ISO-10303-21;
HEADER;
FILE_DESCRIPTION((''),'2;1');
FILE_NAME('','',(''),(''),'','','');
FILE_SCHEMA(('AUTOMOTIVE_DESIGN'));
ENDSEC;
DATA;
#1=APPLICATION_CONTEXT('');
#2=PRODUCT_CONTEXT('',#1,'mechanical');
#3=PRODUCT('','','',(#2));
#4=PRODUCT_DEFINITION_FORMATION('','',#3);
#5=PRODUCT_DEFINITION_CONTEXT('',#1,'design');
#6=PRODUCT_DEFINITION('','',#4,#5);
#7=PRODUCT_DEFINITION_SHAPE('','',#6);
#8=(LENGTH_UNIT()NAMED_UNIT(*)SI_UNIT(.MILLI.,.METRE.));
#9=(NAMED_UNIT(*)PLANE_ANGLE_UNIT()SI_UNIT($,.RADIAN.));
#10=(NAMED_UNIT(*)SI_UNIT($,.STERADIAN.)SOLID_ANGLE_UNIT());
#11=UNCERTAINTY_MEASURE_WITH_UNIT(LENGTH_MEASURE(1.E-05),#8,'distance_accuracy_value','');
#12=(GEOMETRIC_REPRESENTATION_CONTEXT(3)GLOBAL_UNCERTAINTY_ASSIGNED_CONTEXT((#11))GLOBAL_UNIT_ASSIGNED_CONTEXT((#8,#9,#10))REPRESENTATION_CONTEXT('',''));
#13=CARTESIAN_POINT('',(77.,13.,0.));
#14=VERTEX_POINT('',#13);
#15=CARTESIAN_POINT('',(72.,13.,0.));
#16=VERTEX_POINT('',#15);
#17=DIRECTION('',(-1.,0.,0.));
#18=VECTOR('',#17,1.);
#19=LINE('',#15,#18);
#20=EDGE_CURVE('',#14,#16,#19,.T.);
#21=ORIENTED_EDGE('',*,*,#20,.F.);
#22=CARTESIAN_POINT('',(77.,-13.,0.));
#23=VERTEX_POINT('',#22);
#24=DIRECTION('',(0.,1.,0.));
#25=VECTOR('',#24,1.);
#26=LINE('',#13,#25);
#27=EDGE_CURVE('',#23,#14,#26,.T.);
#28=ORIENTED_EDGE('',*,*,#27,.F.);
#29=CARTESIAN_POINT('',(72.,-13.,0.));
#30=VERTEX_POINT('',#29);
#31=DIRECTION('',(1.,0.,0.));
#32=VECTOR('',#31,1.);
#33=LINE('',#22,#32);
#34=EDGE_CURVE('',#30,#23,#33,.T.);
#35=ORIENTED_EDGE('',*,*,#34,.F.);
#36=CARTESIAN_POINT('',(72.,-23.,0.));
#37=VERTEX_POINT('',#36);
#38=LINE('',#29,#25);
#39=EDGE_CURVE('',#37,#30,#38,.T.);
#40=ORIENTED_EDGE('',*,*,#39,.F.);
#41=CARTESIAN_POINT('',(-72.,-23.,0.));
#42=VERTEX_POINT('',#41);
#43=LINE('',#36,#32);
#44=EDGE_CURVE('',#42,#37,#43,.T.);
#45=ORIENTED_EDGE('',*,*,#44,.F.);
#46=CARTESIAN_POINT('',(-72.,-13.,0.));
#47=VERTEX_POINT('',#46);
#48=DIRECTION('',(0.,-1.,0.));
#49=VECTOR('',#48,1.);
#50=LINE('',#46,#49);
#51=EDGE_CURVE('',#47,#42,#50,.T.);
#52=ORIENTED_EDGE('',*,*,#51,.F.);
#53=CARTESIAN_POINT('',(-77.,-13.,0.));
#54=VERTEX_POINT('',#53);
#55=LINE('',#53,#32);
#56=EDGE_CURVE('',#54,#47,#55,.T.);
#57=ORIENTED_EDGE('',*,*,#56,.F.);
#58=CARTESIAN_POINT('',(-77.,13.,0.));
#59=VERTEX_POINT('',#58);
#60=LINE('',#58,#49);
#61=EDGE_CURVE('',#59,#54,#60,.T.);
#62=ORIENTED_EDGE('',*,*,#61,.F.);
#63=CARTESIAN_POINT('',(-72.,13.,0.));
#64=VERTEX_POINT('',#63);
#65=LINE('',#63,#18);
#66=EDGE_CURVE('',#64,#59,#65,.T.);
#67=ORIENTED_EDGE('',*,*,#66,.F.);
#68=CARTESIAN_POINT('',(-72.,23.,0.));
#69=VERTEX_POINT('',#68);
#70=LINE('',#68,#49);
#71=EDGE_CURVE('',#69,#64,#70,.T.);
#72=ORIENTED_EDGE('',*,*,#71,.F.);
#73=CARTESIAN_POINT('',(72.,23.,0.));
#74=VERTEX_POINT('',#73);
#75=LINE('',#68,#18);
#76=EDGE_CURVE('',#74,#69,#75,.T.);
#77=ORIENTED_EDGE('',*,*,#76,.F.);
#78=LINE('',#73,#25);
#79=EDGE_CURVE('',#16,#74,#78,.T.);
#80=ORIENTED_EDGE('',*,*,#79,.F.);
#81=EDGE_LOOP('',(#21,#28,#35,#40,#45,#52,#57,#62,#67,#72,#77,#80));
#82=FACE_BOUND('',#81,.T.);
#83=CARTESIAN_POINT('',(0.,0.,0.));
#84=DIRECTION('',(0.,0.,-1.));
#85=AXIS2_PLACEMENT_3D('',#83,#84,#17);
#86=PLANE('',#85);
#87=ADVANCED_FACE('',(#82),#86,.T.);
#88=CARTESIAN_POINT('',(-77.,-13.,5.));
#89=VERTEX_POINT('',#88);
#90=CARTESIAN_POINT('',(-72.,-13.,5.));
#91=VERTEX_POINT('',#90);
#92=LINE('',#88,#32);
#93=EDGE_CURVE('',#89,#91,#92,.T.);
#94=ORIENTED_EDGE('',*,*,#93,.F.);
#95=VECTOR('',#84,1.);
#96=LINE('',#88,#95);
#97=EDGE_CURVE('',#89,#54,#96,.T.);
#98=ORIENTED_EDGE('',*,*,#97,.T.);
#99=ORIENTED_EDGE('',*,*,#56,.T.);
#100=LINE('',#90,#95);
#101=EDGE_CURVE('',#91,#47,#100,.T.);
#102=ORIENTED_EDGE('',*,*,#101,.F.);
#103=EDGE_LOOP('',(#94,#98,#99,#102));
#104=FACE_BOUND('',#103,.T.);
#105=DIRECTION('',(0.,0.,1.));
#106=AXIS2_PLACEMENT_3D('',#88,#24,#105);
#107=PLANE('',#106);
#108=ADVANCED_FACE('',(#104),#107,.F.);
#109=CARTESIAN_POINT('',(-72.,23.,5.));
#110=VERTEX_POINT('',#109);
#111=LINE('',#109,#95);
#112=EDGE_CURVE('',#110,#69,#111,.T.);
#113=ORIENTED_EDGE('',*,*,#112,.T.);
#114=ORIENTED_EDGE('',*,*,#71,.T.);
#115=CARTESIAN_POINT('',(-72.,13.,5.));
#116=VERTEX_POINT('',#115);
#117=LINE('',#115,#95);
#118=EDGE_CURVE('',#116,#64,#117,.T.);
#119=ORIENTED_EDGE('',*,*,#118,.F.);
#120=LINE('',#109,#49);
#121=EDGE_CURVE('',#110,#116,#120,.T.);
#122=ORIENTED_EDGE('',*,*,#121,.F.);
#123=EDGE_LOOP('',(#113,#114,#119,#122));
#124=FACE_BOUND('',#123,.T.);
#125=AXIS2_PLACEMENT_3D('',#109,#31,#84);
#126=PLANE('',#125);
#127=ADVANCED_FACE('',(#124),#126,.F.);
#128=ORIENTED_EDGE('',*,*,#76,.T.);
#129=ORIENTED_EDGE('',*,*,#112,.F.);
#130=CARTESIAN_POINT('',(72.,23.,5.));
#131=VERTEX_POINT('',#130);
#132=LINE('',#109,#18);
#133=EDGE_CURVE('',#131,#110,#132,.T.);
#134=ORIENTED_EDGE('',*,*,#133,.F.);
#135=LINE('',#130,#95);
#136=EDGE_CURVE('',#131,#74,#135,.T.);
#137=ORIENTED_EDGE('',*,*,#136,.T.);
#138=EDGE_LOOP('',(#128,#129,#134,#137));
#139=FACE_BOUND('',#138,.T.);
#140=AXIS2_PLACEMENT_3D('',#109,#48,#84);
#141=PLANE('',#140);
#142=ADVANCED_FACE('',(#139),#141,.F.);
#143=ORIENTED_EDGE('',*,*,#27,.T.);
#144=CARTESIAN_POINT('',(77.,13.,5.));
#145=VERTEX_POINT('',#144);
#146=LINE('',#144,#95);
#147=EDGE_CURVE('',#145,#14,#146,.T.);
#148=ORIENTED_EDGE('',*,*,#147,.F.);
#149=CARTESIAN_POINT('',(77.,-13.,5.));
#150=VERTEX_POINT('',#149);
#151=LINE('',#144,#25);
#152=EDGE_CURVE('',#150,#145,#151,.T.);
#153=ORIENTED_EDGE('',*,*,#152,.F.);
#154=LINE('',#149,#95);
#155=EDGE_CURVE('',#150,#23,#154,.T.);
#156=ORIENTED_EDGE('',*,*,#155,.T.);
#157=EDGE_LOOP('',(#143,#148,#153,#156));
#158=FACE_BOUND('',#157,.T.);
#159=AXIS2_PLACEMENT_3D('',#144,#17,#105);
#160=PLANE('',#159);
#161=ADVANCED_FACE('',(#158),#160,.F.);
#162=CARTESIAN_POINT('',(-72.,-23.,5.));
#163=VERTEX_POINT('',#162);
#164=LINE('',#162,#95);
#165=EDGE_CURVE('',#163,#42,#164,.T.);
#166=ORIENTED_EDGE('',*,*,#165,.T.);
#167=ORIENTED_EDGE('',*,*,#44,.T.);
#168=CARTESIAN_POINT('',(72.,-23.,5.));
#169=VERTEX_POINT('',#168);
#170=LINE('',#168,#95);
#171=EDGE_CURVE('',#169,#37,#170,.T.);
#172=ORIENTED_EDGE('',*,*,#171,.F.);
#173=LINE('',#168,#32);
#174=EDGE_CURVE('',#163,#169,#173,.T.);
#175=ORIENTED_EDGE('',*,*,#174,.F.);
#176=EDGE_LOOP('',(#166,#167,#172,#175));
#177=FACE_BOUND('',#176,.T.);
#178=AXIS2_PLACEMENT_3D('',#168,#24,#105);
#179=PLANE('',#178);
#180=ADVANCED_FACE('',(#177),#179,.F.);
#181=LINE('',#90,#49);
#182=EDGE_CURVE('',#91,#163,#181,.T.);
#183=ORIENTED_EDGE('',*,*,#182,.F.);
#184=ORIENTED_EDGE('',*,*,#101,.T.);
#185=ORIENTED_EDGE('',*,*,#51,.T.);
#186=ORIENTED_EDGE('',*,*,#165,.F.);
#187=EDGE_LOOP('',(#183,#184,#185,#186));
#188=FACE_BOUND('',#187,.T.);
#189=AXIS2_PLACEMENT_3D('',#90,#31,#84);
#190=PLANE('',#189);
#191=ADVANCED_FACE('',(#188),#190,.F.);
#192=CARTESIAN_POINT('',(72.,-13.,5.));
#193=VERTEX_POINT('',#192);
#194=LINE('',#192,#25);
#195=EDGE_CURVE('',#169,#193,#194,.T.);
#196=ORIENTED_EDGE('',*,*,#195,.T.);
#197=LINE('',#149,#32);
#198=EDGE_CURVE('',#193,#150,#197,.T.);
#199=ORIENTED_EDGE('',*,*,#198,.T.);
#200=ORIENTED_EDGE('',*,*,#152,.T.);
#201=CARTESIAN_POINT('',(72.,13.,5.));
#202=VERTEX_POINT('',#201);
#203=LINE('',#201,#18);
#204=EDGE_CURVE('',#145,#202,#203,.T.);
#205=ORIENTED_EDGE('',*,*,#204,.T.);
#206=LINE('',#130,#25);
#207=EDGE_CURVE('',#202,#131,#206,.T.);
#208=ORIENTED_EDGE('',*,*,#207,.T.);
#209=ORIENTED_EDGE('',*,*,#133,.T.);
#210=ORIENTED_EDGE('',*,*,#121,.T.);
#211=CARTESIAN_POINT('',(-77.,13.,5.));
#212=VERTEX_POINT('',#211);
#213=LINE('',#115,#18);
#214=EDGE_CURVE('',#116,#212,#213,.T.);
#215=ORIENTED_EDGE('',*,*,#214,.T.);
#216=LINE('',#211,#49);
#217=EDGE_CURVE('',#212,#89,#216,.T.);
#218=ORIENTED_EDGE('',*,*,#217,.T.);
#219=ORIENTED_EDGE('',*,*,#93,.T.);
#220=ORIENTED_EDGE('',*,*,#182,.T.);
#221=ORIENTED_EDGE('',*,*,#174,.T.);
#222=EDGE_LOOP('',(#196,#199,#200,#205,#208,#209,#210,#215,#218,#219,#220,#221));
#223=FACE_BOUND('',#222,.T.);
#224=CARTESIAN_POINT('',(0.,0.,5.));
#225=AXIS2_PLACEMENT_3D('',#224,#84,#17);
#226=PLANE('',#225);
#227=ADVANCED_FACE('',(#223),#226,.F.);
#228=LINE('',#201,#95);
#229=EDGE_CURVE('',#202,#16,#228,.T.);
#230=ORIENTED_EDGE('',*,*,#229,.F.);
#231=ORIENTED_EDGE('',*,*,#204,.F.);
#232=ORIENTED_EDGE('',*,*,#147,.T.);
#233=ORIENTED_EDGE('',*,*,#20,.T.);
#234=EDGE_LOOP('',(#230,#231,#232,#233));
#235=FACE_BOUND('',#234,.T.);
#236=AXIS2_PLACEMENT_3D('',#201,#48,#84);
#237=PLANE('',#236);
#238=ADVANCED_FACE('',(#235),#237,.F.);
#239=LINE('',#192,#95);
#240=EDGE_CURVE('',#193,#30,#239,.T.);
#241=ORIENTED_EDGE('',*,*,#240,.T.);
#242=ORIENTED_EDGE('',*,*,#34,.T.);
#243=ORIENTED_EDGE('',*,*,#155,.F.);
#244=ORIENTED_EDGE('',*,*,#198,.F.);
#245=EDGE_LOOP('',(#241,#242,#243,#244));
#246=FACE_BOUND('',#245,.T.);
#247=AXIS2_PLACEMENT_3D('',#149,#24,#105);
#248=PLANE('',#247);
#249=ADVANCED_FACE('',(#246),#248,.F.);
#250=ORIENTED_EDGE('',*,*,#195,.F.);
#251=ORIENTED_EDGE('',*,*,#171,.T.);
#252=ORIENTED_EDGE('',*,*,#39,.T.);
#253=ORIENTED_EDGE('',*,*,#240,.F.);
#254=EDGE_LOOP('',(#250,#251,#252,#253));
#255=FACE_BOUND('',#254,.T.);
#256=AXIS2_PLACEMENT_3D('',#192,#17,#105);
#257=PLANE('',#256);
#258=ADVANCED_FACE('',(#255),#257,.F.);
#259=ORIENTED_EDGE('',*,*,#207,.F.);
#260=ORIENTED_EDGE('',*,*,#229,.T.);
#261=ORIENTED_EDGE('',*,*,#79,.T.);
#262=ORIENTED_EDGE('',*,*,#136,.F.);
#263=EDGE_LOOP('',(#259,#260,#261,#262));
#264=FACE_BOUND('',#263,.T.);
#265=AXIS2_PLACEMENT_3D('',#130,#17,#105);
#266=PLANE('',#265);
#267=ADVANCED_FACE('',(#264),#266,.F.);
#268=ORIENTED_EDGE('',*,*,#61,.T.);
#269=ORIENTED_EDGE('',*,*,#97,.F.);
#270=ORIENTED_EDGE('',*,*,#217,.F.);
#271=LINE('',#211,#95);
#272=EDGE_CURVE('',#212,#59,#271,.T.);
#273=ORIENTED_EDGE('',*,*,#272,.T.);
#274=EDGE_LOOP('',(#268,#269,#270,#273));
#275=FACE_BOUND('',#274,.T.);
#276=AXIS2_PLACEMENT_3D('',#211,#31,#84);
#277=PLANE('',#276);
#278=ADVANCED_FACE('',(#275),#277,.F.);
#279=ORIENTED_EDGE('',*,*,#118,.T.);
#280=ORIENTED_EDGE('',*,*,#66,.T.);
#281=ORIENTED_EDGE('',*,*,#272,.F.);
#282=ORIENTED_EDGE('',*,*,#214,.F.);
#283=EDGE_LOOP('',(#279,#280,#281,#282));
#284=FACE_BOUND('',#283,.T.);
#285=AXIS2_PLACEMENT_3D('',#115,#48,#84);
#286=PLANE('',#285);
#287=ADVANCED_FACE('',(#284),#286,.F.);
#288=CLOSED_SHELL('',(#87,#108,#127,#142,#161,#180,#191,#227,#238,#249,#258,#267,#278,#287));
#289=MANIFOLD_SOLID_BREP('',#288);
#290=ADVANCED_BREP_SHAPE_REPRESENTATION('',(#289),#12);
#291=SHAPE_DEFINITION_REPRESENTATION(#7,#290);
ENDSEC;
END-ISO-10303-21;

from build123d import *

# Parameters (mm, degrees)
BOSS_EXTRU_1_DEPTH = 5


with BuildPart() as part:
    # Esquisse1 → Boss.-Extru.1 (new body)
    with BuildSketch(Plane.XY):
        Polygon((-72, 23), (72, 23), (72, 13), (77, 13), (77, -13), (72, -13), (72, -23), (-72, -23), (-72, -13), (-77, -13), (-77, 13), (-72, 13), align=None)
    extrude(amount=BOSS_EXTRU_1_DEPTH)


solid = part.part
